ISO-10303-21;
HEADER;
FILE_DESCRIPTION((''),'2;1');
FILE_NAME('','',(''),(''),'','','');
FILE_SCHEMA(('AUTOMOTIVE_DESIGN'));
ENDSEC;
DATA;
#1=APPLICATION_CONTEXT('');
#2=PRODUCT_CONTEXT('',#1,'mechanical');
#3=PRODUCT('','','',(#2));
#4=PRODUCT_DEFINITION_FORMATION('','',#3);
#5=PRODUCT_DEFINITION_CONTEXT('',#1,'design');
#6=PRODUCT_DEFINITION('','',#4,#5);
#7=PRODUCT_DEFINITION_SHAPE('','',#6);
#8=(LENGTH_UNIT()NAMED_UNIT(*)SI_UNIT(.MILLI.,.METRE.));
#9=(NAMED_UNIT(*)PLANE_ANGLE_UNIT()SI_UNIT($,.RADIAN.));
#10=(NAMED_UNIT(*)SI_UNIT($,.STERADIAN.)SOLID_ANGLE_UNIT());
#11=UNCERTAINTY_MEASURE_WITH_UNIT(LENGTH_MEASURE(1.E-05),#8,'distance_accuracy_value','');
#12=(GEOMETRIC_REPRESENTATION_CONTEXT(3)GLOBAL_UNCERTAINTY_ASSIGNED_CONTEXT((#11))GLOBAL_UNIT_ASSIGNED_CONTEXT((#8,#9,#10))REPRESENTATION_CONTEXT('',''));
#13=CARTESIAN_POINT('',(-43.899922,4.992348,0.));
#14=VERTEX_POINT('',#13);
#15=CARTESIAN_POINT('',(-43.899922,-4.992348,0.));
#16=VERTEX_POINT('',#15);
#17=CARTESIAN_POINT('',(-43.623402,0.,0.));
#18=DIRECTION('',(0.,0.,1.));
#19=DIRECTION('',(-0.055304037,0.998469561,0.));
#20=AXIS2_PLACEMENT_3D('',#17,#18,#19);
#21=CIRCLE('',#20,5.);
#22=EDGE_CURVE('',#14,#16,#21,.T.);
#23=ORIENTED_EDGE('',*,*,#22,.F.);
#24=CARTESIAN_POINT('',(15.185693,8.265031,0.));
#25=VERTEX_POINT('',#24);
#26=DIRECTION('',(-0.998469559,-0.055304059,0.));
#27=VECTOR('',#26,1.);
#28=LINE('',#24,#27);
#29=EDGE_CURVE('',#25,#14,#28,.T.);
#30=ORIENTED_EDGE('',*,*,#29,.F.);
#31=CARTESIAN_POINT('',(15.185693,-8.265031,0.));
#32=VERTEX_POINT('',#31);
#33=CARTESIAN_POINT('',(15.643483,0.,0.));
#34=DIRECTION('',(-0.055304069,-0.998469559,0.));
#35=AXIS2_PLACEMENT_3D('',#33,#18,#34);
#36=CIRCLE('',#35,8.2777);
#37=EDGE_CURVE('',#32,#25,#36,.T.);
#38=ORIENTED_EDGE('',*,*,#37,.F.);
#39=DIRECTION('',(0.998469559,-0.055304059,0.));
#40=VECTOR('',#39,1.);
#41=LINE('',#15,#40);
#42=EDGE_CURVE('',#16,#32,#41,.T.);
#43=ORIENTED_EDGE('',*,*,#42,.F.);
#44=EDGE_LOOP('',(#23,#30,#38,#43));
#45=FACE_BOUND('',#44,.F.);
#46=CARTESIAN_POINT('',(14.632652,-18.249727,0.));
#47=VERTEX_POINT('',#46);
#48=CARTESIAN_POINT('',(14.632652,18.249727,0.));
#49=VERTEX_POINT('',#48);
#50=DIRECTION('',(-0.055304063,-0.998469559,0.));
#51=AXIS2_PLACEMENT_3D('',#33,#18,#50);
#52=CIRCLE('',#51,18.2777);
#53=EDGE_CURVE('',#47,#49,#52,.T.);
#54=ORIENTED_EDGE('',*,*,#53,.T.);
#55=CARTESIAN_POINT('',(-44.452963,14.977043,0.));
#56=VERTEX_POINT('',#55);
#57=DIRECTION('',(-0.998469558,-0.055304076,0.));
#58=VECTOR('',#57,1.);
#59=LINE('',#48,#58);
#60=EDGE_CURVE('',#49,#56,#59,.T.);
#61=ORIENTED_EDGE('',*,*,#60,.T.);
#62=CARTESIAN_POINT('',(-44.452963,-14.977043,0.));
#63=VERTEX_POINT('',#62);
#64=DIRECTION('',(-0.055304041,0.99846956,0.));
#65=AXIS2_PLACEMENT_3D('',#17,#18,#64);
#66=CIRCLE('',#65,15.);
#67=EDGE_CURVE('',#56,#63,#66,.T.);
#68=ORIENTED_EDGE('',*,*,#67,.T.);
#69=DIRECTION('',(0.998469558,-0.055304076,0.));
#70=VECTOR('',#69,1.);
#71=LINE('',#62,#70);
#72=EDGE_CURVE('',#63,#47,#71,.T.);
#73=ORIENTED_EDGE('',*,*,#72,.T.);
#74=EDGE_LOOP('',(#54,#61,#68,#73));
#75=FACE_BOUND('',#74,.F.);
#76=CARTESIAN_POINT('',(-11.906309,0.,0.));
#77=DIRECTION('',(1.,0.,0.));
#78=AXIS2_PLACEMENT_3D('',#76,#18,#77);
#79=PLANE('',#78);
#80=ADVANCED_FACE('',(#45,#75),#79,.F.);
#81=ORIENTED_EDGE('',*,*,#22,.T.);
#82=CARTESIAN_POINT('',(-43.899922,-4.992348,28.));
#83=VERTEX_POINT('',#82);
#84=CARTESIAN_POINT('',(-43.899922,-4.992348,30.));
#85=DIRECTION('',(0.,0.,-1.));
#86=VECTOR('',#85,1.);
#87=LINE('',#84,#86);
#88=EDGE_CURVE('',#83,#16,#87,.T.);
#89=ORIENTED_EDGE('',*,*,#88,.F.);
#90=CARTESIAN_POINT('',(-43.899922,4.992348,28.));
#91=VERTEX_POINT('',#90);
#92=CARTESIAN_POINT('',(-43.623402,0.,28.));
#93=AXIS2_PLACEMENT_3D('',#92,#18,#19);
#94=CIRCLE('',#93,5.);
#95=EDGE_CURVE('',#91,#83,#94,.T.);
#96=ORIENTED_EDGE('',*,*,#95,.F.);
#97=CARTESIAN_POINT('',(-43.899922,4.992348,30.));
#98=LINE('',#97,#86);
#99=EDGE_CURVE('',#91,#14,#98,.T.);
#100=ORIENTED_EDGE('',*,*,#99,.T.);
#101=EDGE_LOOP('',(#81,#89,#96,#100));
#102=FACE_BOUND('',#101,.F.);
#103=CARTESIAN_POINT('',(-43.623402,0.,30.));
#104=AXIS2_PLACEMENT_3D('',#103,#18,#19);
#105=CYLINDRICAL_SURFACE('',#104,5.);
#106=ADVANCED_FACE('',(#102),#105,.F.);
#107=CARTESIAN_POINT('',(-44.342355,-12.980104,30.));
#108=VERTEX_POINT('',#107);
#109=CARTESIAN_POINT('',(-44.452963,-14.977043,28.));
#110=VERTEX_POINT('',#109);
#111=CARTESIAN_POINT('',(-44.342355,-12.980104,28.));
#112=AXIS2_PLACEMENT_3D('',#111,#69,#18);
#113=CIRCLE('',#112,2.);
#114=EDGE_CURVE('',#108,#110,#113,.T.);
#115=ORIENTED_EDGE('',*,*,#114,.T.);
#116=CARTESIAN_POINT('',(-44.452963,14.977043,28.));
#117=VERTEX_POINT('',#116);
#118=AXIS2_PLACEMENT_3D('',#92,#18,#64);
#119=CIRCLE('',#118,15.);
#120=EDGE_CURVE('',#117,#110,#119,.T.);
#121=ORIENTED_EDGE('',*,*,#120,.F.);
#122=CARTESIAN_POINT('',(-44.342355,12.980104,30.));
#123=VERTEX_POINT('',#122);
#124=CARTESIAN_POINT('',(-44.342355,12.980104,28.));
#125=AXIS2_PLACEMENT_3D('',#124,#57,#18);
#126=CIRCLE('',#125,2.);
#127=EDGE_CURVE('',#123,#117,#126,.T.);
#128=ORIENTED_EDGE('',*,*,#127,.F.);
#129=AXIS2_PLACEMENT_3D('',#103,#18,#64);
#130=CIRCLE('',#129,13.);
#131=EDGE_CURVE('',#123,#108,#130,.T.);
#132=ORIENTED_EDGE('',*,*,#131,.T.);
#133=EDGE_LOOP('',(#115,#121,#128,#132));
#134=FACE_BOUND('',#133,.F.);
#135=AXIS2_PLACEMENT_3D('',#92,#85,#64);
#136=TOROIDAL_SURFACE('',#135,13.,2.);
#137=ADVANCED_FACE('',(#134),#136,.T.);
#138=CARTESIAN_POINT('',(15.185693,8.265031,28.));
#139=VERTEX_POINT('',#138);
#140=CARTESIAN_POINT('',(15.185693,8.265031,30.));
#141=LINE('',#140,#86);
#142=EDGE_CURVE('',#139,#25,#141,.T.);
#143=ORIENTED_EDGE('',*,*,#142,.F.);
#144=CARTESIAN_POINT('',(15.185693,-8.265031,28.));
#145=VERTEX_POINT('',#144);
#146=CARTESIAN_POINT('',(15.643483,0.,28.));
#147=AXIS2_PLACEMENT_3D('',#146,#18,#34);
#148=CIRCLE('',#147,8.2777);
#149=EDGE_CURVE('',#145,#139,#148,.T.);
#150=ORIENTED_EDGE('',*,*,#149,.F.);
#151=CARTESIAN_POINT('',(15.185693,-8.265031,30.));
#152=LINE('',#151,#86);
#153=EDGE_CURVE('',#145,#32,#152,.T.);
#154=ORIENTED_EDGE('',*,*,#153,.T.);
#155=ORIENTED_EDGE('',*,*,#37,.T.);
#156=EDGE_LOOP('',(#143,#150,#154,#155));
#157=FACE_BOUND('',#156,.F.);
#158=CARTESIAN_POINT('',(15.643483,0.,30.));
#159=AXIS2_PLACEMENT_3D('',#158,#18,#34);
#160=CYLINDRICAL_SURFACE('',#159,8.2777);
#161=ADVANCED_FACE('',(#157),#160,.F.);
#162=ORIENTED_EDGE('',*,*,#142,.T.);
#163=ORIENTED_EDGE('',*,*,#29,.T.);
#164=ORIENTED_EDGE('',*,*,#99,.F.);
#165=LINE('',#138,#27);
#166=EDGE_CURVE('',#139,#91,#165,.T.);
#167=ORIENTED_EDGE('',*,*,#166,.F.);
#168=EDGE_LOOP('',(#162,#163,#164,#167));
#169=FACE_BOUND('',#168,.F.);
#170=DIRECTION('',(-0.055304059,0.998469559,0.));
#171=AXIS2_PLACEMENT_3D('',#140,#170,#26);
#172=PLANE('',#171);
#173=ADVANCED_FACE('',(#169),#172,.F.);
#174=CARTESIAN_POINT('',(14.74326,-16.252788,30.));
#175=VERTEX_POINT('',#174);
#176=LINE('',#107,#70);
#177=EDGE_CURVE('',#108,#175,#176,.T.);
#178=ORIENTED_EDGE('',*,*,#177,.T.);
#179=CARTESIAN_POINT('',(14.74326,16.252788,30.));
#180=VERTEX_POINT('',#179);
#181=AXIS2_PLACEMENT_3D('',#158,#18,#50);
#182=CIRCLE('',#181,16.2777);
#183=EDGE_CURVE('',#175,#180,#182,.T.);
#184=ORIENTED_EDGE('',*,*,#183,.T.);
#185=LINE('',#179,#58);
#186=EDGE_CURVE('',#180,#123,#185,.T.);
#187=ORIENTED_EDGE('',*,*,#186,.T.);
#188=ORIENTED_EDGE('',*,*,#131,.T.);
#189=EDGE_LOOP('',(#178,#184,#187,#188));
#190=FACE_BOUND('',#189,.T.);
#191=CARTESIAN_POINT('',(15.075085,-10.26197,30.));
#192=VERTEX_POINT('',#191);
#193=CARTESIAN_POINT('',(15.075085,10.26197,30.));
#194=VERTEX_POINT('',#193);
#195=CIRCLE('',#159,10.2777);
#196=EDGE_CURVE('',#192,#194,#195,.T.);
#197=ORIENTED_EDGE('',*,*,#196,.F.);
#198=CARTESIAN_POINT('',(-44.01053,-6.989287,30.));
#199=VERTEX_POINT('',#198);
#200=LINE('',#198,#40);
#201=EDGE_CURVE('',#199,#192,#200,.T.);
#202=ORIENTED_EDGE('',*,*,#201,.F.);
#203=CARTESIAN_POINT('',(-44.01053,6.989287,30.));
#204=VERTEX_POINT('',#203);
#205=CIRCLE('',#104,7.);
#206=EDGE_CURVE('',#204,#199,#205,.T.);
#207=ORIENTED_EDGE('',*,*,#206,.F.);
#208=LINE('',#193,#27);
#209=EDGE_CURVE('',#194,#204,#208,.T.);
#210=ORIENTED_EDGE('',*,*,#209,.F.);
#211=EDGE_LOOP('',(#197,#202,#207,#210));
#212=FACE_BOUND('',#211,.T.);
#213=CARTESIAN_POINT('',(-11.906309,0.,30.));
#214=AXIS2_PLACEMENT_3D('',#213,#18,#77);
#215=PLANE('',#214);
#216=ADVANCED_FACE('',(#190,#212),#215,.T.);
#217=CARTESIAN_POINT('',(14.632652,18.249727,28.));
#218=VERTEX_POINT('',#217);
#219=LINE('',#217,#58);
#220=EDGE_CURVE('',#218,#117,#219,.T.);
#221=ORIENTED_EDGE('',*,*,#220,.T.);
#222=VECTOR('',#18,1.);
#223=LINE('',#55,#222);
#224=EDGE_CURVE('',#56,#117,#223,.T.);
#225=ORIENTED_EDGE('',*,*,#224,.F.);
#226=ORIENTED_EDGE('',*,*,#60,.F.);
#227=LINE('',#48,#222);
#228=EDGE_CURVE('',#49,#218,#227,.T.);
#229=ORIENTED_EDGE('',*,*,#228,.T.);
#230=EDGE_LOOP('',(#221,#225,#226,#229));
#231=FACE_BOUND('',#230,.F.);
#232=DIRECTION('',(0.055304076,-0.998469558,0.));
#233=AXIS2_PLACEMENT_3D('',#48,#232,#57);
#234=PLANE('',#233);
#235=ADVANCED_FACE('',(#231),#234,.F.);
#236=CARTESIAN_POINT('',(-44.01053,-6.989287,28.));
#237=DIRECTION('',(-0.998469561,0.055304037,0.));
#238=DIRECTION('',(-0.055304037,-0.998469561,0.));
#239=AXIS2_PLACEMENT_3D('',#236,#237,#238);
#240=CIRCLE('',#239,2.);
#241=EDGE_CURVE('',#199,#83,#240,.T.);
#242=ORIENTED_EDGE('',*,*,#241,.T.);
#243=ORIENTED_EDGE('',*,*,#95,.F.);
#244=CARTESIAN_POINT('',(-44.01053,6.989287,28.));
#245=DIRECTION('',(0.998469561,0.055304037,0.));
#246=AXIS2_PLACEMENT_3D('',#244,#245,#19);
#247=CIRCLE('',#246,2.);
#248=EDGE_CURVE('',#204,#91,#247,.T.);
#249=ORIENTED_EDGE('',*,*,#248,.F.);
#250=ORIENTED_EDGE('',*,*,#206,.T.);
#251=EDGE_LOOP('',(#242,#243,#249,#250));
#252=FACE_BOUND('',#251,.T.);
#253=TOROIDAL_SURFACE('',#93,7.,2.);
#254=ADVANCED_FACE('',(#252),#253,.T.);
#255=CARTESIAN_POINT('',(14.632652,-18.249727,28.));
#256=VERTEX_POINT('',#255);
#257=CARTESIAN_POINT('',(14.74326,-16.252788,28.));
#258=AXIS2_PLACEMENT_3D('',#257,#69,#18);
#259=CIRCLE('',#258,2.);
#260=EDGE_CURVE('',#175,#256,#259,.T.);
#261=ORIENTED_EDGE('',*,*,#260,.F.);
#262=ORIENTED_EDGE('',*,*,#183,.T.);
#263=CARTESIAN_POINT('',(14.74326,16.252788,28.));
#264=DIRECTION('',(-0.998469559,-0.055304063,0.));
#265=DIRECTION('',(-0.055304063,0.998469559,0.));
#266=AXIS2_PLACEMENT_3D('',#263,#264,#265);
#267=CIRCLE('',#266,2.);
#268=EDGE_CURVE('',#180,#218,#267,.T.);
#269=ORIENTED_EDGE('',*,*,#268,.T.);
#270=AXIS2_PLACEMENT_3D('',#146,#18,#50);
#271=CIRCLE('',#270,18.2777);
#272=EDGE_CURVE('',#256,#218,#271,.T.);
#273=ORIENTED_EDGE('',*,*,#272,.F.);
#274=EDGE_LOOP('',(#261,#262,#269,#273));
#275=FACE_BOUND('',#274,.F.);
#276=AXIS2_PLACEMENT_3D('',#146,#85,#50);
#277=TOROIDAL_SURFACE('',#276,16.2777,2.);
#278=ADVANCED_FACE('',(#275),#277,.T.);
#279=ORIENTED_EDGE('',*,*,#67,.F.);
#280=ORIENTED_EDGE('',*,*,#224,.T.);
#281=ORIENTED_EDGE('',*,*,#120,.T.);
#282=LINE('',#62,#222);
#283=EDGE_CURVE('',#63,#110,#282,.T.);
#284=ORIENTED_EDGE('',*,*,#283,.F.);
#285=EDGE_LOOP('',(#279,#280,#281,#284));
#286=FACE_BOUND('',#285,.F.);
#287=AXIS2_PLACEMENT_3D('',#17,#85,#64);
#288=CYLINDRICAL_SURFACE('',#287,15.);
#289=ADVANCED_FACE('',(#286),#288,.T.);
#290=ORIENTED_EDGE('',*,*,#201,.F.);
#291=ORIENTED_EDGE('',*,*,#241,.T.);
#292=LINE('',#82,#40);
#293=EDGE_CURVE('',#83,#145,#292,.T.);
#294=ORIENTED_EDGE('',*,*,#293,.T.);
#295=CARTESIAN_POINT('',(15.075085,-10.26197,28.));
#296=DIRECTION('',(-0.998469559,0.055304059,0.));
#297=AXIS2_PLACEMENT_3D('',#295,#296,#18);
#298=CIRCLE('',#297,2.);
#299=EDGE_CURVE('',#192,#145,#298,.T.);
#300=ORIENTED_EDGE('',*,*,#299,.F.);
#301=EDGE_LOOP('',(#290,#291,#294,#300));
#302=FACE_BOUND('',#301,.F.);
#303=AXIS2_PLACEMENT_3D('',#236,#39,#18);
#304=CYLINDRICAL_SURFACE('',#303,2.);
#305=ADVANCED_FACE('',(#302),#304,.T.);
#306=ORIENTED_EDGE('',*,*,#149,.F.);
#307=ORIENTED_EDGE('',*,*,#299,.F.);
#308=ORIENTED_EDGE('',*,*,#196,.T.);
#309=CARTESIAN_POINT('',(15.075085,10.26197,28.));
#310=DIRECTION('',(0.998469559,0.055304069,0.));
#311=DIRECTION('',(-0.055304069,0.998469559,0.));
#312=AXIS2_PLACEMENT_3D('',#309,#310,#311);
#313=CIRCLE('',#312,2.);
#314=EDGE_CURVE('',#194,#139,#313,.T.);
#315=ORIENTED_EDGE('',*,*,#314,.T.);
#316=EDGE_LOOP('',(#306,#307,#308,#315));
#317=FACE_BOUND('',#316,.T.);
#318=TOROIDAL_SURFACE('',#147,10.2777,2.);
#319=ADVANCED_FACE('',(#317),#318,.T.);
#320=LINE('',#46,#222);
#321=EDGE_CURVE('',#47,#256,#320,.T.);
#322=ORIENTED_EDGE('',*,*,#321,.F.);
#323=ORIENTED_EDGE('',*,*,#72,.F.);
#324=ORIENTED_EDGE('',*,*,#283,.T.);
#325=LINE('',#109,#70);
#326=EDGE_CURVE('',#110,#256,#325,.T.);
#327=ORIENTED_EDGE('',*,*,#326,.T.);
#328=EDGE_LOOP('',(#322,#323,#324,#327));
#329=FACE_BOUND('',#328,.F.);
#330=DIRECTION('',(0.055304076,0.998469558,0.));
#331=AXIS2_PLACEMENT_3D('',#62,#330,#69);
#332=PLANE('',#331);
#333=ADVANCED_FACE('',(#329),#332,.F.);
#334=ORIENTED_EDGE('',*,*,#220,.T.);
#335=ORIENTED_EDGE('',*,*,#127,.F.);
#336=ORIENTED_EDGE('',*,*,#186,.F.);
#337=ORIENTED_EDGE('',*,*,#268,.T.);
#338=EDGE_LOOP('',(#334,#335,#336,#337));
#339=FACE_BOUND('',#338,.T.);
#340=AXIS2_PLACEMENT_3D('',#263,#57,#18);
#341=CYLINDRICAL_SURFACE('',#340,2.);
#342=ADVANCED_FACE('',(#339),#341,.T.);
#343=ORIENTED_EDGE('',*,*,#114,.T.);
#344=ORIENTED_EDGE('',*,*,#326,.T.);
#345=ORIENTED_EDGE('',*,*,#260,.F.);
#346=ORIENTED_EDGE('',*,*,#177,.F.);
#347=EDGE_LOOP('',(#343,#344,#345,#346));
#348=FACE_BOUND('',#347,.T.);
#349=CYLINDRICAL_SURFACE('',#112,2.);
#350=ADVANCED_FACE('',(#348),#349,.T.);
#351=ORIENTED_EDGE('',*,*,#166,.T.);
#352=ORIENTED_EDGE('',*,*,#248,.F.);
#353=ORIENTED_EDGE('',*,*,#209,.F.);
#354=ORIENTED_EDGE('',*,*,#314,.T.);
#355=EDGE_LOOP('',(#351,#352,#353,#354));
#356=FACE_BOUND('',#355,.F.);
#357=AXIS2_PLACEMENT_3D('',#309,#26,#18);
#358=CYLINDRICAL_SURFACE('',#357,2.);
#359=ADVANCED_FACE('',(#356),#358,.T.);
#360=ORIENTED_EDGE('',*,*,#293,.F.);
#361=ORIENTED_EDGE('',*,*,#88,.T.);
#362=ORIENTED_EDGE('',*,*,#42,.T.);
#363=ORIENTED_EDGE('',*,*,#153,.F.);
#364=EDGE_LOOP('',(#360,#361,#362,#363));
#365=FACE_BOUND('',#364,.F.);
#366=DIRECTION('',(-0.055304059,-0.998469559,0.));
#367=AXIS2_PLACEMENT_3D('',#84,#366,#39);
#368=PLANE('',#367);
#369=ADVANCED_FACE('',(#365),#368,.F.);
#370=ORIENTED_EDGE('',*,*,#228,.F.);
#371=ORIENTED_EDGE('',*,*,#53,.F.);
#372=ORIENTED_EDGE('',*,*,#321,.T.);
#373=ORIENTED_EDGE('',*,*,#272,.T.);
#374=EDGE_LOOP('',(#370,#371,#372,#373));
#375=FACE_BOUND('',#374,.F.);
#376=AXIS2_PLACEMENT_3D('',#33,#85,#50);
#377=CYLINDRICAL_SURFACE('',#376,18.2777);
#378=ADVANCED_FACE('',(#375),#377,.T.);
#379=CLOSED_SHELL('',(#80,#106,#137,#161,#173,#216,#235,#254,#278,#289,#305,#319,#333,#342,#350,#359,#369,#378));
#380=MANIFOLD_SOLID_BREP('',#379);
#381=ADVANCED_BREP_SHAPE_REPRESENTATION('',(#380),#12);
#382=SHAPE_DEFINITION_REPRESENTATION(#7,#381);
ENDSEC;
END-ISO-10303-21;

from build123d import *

# Parameters (mm, degrees)
F1_DEPTH = 30
F3_DEPTH = 30
F4_R     = 2


with BuildPart() as f1:
    # F0 (on Top) → F1 (new body)
    with BuildSketch(Plane.XY):
        with BuildLine():
            Line((14.632652, 18.249727), (-44.452963, 14.977043))
            ThreePointArc((-44.452963, 14.977043), (-58.623402, 0), (-44.452963, -14.977043))
            Line((-44.452963, -14.977043), (14.632652, -18.249727))
            ThreePointArc((14.632652, -18.249727), (33.921183, 0), (14.632652, 18.249727))
        make_face()
    extrude(amount=F1_DEPTH)

    # F2 (on face) → F3 (cut)
    with BuildSketch(Plane.XY.offset(30)):
        with BuildLine():
            ThreePointArc((-43.899922, 4.992348), (-48.623402, 0), (-43.899922, -4.992348))
            Line((-43.899922, -4.992348), (15.185693, -8.265031))
            ThreePointArc((15.185693, -8.265031), (23.921183, 0), (15.185693, 8.265031))
            Line((15.185693, 8.265031), (-43.899922, 4.992348))
        make_face()
    extrude(amount=-F3_DEPTH, mode=Mode.SUBTRACT)

    # F4
    f4_edges = [f1.edges().sort_by_distance(p)[0] for p in [
        (-48.623402, 0, 30),
        (23.921183, 0, 30),
        (-14.357115, 6.62869, 30),
        (-14.910155, -16.613385, 30),
        (33.921183, 0, 30),
        (-14.910155, 16.613385, 30),
        (-58.623402, 0, 30),
        (-14.357115, -6.62869, 30),
    ]]
    fillet(f4_edges, radius=F4_R)


solid = f1.part
